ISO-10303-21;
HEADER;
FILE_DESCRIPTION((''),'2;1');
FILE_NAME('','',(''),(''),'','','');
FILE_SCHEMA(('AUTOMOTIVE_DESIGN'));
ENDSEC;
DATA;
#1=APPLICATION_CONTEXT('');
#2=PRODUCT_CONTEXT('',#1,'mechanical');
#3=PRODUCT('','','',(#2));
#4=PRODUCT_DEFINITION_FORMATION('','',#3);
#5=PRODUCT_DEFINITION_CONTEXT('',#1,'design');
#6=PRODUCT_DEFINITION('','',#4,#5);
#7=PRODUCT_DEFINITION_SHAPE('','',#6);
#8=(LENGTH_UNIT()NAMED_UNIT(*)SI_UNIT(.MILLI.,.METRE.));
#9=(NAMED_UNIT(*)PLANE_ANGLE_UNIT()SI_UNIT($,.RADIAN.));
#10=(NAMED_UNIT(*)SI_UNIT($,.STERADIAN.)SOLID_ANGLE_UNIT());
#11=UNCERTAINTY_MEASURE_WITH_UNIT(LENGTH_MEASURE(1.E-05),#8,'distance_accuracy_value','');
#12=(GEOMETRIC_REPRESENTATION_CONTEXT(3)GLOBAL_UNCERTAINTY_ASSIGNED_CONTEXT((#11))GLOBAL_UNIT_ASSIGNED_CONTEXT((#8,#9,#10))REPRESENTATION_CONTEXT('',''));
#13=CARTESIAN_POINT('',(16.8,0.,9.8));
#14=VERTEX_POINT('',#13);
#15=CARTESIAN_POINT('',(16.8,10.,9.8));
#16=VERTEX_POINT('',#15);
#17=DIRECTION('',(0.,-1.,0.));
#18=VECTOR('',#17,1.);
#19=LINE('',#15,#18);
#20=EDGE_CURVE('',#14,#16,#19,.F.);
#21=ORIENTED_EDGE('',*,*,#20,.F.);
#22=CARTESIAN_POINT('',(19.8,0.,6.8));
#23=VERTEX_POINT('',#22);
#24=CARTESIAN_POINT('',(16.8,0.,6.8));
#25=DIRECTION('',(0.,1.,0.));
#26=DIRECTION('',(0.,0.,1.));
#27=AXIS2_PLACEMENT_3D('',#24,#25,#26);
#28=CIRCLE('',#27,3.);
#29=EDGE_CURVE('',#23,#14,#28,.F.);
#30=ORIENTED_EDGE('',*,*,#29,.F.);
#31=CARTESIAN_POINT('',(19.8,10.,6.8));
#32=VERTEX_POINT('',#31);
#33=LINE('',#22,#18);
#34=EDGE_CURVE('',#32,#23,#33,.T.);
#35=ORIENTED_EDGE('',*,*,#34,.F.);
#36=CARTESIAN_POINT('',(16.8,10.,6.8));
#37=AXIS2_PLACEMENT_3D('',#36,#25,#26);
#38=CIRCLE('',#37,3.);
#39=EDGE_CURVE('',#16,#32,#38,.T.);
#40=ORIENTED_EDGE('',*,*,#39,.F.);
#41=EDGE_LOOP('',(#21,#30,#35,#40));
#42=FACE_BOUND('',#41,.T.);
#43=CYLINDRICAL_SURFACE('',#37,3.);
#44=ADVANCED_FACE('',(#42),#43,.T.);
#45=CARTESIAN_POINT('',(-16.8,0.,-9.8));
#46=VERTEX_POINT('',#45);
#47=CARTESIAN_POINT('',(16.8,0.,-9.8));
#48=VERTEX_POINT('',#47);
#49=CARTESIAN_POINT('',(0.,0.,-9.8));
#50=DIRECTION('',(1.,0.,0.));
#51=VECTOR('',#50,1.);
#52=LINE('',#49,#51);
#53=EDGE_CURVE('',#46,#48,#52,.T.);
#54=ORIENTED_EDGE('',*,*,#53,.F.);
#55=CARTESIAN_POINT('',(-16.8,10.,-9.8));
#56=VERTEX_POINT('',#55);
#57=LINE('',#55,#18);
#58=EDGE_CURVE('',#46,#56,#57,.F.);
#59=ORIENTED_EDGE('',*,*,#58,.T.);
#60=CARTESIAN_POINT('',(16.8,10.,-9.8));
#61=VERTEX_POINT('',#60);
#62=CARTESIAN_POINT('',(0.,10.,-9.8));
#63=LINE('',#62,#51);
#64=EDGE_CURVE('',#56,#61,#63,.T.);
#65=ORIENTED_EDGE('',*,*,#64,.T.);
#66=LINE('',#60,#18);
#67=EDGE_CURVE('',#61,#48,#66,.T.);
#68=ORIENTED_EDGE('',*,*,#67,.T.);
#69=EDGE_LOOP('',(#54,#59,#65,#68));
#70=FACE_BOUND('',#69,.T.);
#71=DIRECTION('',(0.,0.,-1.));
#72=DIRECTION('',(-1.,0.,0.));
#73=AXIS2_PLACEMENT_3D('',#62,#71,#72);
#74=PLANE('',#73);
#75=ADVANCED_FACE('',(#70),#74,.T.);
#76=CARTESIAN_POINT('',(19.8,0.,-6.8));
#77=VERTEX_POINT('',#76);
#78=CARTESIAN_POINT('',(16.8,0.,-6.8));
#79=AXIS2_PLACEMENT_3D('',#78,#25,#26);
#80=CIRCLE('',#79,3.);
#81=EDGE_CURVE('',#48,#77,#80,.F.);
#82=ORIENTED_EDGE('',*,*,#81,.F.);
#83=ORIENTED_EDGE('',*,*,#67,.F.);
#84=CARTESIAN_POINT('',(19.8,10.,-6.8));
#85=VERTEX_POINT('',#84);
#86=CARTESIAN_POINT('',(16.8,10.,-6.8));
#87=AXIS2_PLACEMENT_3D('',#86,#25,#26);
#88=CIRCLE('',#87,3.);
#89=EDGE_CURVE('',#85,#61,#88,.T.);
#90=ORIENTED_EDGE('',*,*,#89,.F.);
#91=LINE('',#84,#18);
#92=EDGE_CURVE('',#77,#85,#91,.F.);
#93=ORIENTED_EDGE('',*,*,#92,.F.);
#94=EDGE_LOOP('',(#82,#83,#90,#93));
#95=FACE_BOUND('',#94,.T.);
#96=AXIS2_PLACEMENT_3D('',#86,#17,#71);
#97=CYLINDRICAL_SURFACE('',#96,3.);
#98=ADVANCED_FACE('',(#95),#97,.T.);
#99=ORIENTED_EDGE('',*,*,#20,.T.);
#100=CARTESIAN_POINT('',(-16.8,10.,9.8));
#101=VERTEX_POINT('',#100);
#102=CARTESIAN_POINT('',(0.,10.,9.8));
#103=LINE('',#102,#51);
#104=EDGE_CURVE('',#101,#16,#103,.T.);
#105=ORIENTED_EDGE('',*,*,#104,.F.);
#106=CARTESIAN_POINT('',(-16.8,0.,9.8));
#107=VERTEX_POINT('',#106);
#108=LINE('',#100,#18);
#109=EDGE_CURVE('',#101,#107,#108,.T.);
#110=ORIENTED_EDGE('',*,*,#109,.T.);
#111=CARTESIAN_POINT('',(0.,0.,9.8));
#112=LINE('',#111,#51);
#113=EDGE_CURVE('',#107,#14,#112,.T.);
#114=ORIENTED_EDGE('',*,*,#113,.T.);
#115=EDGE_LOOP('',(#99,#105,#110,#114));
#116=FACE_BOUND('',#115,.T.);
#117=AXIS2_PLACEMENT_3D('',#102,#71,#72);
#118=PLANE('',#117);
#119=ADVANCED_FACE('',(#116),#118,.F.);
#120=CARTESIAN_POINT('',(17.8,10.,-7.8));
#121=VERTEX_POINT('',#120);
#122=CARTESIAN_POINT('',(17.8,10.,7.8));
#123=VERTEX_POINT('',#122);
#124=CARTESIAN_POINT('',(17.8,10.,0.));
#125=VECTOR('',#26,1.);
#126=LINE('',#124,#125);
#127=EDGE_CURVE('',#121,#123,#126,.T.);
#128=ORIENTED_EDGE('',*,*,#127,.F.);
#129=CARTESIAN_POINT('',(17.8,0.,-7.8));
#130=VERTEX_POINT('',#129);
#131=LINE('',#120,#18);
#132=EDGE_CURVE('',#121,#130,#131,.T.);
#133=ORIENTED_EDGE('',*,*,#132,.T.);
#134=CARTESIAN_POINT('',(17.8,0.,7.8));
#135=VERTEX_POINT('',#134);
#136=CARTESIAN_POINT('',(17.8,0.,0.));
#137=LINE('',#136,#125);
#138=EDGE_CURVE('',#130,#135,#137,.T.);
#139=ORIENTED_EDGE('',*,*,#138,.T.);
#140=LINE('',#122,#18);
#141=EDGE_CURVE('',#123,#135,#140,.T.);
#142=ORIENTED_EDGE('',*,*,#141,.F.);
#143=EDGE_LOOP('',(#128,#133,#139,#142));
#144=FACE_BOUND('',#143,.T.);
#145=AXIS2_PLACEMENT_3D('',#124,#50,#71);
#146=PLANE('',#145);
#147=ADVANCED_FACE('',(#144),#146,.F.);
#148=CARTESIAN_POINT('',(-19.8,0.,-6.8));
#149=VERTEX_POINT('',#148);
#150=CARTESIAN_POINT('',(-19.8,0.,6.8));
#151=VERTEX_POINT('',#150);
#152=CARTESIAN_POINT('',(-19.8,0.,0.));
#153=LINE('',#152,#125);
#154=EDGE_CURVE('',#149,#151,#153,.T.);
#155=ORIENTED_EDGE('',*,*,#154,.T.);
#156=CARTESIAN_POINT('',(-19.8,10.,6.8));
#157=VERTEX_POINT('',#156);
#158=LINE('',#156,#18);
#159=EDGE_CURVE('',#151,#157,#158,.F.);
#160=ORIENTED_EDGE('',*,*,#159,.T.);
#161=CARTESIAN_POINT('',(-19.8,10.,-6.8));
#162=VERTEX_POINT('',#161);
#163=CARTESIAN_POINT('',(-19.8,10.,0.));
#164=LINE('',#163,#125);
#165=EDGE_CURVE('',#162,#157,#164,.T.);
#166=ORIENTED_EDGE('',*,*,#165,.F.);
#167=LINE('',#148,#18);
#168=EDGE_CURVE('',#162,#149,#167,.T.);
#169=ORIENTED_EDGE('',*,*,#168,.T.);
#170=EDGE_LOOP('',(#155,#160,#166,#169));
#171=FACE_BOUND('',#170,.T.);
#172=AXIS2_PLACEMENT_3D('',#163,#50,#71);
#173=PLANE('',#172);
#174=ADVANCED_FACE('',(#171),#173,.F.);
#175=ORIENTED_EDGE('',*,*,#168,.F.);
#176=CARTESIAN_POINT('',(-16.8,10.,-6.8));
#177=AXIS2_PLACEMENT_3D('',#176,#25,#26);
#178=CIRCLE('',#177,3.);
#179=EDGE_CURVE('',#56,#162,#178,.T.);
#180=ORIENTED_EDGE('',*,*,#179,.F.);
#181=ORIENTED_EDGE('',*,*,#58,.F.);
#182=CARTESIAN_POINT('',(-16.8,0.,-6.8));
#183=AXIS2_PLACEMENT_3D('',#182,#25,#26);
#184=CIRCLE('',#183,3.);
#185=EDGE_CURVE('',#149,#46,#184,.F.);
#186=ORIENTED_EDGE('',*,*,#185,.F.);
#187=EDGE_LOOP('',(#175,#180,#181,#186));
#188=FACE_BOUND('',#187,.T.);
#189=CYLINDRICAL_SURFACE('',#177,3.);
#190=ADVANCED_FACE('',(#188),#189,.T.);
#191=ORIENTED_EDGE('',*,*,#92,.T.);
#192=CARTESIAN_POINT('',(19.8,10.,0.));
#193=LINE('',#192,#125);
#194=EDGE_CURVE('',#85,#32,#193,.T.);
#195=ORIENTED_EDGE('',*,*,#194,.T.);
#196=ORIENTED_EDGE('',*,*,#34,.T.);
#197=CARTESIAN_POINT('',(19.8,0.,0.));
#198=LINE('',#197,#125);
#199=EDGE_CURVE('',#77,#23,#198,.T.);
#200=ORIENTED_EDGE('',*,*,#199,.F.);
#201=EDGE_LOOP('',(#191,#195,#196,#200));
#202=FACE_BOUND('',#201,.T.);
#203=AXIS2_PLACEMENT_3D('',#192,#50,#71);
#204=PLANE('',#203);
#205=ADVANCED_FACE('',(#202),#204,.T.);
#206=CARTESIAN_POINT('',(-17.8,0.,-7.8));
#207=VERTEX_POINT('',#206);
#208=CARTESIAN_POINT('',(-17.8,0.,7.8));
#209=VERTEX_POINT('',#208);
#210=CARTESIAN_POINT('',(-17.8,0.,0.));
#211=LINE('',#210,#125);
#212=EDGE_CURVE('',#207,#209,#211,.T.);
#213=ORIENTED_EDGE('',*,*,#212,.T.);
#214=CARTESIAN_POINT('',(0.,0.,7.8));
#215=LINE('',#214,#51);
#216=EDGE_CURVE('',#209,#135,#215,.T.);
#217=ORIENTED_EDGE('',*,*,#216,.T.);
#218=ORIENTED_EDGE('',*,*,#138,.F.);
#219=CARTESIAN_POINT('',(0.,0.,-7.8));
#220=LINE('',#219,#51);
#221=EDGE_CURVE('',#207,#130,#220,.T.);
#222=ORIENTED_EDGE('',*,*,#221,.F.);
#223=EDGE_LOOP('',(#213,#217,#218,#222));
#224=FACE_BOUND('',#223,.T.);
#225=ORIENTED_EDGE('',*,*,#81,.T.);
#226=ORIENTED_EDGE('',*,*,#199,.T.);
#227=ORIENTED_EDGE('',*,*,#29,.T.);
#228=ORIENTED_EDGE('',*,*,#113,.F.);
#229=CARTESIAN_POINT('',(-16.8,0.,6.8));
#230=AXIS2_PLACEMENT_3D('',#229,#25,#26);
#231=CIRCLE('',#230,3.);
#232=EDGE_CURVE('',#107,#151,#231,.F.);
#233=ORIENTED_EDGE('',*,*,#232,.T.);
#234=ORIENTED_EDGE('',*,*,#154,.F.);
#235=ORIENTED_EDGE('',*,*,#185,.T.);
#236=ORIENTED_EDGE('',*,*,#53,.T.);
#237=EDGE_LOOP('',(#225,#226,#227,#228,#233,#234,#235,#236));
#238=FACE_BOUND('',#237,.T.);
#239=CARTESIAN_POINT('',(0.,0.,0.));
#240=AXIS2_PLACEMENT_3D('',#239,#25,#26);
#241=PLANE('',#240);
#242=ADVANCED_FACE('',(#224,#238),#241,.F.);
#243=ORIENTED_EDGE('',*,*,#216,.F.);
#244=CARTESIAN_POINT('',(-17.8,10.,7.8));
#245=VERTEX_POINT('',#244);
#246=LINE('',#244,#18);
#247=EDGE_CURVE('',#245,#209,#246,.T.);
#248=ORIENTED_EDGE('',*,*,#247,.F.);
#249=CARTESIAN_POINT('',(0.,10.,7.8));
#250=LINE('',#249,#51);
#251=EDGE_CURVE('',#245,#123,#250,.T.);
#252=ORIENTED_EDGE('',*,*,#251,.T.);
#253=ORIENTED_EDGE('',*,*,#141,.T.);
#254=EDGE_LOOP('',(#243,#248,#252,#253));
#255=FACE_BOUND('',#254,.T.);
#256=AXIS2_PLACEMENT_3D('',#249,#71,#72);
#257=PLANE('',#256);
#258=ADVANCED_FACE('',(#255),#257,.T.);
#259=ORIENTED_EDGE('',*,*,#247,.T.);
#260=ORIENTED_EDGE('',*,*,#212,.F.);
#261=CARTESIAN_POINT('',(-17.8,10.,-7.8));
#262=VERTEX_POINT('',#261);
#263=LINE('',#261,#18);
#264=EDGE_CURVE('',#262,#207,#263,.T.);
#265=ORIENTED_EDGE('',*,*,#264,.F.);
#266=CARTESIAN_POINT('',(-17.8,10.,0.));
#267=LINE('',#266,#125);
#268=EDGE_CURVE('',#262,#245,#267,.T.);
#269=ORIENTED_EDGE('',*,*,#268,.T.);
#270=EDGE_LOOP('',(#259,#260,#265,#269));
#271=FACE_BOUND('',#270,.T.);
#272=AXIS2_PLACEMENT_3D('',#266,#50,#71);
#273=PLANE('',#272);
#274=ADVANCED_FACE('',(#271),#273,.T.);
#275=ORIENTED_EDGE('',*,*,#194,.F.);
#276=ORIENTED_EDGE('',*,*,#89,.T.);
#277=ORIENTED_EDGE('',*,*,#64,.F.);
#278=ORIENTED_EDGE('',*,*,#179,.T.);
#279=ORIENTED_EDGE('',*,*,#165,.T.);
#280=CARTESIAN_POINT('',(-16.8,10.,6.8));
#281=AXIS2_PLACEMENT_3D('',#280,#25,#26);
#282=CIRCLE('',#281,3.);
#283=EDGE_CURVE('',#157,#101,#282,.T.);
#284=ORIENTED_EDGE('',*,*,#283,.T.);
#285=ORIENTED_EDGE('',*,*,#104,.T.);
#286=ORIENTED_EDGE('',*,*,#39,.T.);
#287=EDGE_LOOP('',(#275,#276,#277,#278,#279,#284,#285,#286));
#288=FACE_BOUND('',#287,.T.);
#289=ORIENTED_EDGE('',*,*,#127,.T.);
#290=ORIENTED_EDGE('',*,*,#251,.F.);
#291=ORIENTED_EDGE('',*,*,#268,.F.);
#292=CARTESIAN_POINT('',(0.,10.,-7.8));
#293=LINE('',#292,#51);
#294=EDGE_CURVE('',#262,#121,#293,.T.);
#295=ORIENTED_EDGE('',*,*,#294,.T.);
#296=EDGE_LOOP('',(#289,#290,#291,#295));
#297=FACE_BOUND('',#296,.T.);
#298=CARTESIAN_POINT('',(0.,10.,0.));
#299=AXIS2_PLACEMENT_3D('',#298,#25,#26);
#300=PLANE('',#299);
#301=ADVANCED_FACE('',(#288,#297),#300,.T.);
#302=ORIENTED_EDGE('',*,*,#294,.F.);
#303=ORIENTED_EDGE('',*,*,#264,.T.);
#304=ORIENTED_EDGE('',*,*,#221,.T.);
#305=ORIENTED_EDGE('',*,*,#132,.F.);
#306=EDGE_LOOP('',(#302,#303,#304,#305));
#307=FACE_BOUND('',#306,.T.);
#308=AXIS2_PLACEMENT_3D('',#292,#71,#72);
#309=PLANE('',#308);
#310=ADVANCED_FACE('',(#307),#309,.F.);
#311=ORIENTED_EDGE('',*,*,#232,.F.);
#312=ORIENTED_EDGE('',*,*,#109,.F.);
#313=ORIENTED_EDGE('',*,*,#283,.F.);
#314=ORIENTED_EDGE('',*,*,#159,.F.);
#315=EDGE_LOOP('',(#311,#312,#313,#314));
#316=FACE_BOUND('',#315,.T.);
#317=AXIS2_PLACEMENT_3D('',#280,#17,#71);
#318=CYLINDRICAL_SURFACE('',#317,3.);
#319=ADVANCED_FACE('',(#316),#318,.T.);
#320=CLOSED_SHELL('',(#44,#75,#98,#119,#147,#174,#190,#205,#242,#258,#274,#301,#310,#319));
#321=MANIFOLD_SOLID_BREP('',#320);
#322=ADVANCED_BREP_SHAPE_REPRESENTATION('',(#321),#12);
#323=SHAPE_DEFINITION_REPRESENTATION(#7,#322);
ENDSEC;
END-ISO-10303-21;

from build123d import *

# Parameters (mm, degrees)
SKETCH2_W           = 39.6
SKETCH2_H           = 19.6
SKETCH2_W_2         = 35.6
SKETCH2_H_2         = 15.6
BOSS_EXTRUDE2_DEPTH = 10
FILLET2_R           = 3


with BuildPart() as part:
    # Sketch2 → Boss-Extrude2 (new body)
    with BuildSketch(Plane(origin=(0, 0, 0), x_dir=(1, 0, 0), z_dir=(0, 1, 0))):
        Rectangle(SKETCH2_W, SKETCH2_H)
        Rectangle(SKETCH2_W_2, SKETCH2_H_2, mode=Mode.SUBTRACT)
    extrude(amount=BOSS_EXTRUDE2_DEPTH)

    # Fillet2
    fillet2_edges = [part.edges().sort_by_distance(p)[0] for p in [
        (19.8, 5, -9.8),
        (19.8, 5, 9.8),
        (-19.8, 5, 9.8),
        (-19.8, 5, -9.8),
    ]]
    fillet(fillet2_edges, radius=FILLET2_R)


solid = part.part
